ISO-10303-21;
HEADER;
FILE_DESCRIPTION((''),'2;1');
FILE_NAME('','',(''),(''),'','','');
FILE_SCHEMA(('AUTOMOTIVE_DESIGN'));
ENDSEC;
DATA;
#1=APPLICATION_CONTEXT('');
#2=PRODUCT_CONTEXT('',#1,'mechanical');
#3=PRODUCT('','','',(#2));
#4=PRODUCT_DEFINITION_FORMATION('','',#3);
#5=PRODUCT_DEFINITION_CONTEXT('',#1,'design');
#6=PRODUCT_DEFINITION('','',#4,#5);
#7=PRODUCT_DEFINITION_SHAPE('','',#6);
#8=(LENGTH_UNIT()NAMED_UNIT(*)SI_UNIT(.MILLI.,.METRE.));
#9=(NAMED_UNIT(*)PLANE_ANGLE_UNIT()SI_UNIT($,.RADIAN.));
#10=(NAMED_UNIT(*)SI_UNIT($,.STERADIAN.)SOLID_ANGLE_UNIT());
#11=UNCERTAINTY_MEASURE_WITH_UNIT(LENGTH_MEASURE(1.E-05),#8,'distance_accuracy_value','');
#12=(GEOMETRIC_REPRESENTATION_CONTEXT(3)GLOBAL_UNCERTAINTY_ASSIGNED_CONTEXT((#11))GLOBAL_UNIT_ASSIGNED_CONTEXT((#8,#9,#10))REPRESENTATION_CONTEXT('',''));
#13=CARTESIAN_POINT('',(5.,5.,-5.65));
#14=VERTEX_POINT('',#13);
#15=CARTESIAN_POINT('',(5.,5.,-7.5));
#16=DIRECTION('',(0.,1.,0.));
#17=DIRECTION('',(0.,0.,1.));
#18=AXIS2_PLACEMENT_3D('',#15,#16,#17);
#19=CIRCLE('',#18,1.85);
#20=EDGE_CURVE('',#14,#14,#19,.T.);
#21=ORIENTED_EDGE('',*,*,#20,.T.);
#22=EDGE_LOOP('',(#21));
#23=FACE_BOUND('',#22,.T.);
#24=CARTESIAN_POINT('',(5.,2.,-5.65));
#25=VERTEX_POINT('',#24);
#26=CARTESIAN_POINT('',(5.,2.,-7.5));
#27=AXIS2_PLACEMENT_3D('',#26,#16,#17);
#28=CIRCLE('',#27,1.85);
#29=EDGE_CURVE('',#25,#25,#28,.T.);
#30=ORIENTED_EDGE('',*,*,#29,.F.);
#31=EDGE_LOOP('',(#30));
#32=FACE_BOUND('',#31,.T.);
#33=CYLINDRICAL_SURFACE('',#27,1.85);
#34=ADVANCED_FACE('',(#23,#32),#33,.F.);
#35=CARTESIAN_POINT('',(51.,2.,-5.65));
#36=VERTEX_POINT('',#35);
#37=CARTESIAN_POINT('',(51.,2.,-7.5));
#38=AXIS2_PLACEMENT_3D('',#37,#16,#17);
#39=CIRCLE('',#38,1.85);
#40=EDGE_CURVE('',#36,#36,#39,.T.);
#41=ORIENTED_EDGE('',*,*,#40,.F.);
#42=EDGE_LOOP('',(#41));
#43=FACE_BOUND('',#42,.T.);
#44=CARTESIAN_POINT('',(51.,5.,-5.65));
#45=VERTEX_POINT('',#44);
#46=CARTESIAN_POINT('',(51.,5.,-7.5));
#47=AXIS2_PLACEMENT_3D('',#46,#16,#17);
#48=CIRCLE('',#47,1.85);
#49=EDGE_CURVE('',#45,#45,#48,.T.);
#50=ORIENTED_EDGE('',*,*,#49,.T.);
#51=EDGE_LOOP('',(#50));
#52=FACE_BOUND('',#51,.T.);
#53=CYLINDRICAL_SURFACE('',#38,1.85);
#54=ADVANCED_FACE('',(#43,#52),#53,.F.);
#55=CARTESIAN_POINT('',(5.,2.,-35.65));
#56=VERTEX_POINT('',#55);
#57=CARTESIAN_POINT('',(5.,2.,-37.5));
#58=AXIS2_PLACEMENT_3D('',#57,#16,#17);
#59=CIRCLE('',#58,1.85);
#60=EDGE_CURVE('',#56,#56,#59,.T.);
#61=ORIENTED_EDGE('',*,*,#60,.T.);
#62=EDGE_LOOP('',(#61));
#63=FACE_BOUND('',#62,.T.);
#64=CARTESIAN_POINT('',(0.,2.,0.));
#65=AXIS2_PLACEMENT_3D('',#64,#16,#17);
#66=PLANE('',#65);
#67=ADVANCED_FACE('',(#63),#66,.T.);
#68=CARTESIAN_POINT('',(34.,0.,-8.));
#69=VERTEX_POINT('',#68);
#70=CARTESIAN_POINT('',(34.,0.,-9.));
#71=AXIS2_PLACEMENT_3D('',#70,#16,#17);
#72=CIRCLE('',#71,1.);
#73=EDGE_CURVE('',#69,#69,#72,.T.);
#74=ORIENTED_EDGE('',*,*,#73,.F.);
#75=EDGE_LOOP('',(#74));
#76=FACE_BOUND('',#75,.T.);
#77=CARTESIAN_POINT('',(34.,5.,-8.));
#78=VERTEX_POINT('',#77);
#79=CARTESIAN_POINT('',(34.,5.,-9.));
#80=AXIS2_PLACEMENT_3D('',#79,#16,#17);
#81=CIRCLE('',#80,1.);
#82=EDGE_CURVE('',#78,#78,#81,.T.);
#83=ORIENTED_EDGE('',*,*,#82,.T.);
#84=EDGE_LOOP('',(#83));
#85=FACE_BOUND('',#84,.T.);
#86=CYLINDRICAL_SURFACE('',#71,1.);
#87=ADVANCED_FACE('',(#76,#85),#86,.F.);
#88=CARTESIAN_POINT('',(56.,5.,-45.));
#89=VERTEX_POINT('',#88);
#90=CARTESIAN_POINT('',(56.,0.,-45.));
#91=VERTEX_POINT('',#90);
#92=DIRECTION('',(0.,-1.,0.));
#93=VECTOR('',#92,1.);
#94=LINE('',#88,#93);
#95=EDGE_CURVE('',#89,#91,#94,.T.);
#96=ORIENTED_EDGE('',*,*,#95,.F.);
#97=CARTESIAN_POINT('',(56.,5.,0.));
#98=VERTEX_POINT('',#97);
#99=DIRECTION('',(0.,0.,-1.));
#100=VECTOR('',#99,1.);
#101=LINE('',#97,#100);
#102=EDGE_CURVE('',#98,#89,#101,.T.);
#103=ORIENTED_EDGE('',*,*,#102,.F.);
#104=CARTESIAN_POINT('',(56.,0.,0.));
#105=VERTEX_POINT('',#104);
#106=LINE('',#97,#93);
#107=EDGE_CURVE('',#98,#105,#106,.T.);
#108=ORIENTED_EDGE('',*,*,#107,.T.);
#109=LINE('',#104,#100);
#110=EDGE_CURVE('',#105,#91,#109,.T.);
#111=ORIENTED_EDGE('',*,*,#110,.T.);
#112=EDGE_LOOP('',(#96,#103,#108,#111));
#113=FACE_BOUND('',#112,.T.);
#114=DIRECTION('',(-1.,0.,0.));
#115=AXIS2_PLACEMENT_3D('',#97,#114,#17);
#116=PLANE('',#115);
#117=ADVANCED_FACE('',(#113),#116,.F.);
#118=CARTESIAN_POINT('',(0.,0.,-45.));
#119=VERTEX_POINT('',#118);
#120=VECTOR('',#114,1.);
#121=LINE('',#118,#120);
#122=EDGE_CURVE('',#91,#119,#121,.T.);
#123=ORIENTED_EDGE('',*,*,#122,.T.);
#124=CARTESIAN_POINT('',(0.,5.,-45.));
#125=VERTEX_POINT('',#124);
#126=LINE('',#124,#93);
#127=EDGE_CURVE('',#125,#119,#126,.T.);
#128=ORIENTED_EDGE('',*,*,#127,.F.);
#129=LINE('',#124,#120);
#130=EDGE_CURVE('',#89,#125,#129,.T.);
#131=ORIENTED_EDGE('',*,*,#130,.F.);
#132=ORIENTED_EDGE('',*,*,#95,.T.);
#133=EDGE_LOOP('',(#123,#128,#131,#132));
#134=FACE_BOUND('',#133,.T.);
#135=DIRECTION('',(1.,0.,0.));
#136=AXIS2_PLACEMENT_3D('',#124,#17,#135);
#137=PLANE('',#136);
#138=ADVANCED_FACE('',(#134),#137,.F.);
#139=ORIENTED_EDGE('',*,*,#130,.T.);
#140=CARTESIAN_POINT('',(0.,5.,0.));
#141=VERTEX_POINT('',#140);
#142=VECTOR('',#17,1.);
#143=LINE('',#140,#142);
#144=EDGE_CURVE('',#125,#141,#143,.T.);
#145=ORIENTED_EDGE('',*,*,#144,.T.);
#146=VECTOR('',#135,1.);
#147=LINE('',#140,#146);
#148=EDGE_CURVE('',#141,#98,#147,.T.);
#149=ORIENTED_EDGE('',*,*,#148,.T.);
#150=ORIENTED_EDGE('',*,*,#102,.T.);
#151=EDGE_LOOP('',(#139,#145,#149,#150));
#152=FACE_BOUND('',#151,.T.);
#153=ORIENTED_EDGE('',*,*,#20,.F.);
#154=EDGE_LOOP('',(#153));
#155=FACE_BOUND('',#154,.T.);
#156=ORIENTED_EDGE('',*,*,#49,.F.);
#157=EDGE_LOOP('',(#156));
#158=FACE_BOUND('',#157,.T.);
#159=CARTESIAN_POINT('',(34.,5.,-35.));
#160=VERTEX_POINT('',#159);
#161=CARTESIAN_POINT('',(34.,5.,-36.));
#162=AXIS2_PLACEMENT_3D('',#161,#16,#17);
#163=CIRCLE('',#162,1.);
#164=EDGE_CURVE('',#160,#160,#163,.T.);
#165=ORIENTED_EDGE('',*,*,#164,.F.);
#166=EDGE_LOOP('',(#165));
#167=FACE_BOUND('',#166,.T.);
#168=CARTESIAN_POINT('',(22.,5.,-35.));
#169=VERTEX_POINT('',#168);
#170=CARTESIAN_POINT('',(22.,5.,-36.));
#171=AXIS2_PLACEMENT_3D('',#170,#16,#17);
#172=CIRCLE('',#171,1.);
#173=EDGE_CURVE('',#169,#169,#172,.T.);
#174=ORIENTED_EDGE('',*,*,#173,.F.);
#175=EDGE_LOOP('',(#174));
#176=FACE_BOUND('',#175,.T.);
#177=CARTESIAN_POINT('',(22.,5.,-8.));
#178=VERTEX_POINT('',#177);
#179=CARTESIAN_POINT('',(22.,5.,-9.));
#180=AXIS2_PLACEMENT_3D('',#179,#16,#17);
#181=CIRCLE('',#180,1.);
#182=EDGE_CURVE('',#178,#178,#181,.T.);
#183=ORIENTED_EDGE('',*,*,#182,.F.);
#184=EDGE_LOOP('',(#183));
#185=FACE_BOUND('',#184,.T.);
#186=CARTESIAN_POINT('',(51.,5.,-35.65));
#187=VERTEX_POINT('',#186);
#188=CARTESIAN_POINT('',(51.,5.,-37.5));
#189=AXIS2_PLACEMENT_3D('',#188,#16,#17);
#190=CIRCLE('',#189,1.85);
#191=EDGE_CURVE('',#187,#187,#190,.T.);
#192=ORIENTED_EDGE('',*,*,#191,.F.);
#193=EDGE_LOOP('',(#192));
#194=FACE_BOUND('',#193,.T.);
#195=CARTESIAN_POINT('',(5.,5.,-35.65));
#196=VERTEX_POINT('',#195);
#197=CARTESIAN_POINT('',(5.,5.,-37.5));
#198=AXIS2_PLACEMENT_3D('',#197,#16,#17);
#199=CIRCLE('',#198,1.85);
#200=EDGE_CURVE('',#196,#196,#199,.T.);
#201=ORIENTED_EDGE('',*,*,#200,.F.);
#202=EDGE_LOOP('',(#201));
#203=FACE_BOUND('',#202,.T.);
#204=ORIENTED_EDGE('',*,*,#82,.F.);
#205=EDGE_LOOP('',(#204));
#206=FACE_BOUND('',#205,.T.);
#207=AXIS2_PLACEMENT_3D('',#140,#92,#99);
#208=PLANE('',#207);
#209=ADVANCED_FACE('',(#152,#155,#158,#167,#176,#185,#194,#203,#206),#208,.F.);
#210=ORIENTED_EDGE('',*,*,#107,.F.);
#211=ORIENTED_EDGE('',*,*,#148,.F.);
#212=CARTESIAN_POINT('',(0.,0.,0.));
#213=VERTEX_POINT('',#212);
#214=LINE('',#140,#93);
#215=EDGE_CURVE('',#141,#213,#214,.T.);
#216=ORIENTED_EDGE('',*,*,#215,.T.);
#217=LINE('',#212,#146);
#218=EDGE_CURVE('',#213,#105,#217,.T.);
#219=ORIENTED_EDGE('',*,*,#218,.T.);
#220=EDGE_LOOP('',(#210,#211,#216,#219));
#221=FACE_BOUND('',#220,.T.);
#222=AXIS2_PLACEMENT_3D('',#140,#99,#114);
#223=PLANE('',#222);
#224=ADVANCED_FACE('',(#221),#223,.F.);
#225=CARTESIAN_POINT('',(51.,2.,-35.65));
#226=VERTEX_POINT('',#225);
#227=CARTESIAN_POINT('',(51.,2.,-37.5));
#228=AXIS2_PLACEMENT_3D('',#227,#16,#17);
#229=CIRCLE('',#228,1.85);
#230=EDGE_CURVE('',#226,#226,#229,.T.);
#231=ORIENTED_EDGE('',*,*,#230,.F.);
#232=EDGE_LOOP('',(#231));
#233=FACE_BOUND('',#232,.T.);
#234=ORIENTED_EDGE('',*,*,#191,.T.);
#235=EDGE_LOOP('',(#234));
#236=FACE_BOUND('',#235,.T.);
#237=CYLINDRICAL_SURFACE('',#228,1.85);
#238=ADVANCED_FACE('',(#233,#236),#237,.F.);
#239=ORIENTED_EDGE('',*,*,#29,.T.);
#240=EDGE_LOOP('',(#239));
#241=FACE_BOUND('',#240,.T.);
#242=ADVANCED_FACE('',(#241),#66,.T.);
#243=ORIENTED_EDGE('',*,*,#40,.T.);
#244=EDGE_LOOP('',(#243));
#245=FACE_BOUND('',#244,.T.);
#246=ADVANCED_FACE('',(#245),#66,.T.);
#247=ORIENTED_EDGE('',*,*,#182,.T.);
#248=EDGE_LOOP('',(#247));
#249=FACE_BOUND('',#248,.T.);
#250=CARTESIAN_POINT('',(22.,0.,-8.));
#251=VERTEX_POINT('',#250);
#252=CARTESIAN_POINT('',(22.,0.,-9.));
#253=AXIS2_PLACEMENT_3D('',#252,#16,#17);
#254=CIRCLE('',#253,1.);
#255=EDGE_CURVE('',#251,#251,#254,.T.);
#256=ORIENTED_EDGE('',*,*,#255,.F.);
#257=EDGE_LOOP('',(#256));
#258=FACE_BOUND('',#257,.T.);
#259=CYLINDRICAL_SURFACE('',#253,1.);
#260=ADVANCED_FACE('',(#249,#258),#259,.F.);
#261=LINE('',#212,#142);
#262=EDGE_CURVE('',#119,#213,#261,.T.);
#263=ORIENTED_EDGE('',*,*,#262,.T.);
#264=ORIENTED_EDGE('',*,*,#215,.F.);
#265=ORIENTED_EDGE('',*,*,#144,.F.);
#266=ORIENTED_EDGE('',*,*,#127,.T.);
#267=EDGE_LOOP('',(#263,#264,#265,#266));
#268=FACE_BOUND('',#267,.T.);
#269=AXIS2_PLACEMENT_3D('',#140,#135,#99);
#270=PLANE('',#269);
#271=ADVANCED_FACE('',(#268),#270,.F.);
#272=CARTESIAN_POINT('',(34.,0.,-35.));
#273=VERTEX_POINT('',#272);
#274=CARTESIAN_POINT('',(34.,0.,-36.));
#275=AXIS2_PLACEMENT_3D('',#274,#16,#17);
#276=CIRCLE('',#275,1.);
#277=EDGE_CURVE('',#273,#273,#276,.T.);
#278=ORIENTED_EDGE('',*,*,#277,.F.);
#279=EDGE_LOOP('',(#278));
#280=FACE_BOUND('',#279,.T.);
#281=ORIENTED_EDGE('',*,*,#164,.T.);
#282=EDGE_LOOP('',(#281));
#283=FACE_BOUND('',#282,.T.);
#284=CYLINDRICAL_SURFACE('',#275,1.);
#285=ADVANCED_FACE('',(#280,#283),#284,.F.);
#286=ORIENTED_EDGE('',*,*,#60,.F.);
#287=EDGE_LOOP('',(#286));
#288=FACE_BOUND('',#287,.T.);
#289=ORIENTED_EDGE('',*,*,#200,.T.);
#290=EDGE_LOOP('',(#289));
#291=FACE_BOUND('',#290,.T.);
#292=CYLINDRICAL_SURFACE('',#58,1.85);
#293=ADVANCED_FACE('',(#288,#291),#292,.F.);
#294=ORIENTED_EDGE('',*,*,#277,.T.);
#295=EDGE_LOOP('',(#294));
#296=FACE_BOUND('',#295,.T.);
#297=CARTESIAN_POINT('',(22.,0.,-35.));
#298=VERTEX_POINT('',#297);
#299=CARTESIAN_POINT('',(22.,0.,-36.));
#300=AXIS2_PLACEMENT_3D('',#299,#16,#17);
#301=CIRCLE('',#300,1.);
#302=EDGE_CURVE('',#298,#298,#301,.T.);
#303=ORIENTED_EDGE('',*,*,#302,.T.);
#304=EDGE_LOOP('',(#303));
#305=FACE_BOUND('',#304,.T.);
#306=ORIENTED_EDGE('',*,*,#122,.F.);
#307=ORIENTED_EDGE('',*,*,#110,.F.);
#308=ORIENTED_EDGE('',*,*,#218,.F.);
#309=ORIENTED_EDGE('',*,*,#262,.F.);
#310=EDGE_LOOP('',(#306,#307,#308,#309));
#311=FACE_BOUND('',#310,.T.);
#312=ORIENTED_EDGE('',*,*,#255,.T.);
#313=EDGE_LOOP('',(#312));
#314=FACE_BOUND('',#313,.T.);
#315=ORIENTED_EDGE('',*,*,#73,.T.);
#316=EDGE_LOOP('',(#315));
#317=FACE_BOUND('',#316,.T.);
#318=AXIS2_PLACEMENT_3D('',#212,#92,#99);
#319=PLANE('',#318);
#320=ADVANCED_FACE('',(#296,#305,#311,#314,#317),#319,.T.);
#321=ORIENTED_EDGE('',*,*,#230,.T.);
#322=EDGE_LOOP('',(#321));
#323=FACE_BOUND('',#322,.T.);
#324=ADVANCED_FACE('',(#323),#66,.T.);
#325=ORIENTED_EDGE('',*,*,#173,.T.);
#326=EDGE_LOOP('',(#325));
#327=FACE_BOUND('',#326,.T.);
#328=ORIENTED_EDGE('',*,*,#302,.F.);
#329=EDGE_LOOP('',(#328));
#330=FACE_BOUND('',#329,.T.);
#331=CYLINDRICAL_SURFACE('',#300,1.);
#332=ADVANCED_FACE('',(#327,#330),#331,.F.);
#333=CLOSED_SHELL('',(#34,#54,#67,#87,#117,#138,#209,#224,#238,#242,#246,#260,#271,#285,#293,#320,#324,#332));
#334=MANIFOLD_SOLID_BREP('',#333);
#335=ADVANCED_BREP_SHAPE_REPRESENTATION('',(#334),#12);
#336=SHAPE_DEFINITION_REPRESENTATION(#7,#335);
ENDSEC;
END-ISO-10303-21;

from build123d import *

# Parameters (mm, degrees)
SKETCH2_W           = 56
SKETCH2_H           = 45
BOSS_EXTRUDE1_DEPTH = 5
SKETCH3_R           = 1.85
CUT_EXTRUDE1_DEPTH  = 3
SKETCH4_R           = 1
CUT_EXTRUDE2_DEPTH  = 5


with BuildPart() as part:
    # Sketch2 → Boss-Extrude1 (new body)
    with BuildSketch(Plane(origin=(0, 0, 0), x_dir=(1, 0, 0), z_dir=(0, 1, 0))):
        with Locations((28, 22.5)):
            Rectangle(SKETCH2_W, SKETCH2_H)
    extrude(amount=BOSS_EXTRUDE1_DEPTH)

    # Sketch3 → Cut-Extrude1 (cut)
    with BuildSketch(Plane(origin=(0, 5, 0), x_dir=(1, 0, 0), z_dir=(0, 1, 0))):
        with Locations(Location((5, 37.5, 0), (0, 0, 270))):
            Circle(SKETCH3_R)
        with Locations(Location((51, 37.5, 0), (0, 0, 270))):
            Circle(SKETCH3_R)
        with Locations(Location((51, 7.5, 0), (0, 0, 270))):
            Circle(SKETCH3_R)
        with Locations(Location((5, 7.5, 0), (0, 0, 270))):
            Circle(SKETCH3_R)
    extrude(amount=-CUT_EXTRUDE1_DEPTH, mode=Mode.SUBTRACT)

    # Sketch4 → Cut-Extrude2 (cut)
    with BuildSketch(Plane(origin=(0, 5, 0), x_dir=(1, 0, 0), z_dir=(0, 1, 0))):
        with Locations(Location((22, 36, 0), (0, 0, 270))):
            Circle(SKETCH4_R)
        with Locations(Location((22, 9, 0), (0, 0, 270))):
            Circle(SKETCH4_R)
        with Locations(Location((34, 9, 0), (0, 0, 270))):
            Circle(SKETCH4_R)
        with Locations(Location((34, 36, 0), (0, 0, 270))):
            Circle(SKETCH4_R)
    extrude(amount=-CUT_EXTRUDE2_DEPTH, mode=Mode.SUBTRACT)


solid = part.part
